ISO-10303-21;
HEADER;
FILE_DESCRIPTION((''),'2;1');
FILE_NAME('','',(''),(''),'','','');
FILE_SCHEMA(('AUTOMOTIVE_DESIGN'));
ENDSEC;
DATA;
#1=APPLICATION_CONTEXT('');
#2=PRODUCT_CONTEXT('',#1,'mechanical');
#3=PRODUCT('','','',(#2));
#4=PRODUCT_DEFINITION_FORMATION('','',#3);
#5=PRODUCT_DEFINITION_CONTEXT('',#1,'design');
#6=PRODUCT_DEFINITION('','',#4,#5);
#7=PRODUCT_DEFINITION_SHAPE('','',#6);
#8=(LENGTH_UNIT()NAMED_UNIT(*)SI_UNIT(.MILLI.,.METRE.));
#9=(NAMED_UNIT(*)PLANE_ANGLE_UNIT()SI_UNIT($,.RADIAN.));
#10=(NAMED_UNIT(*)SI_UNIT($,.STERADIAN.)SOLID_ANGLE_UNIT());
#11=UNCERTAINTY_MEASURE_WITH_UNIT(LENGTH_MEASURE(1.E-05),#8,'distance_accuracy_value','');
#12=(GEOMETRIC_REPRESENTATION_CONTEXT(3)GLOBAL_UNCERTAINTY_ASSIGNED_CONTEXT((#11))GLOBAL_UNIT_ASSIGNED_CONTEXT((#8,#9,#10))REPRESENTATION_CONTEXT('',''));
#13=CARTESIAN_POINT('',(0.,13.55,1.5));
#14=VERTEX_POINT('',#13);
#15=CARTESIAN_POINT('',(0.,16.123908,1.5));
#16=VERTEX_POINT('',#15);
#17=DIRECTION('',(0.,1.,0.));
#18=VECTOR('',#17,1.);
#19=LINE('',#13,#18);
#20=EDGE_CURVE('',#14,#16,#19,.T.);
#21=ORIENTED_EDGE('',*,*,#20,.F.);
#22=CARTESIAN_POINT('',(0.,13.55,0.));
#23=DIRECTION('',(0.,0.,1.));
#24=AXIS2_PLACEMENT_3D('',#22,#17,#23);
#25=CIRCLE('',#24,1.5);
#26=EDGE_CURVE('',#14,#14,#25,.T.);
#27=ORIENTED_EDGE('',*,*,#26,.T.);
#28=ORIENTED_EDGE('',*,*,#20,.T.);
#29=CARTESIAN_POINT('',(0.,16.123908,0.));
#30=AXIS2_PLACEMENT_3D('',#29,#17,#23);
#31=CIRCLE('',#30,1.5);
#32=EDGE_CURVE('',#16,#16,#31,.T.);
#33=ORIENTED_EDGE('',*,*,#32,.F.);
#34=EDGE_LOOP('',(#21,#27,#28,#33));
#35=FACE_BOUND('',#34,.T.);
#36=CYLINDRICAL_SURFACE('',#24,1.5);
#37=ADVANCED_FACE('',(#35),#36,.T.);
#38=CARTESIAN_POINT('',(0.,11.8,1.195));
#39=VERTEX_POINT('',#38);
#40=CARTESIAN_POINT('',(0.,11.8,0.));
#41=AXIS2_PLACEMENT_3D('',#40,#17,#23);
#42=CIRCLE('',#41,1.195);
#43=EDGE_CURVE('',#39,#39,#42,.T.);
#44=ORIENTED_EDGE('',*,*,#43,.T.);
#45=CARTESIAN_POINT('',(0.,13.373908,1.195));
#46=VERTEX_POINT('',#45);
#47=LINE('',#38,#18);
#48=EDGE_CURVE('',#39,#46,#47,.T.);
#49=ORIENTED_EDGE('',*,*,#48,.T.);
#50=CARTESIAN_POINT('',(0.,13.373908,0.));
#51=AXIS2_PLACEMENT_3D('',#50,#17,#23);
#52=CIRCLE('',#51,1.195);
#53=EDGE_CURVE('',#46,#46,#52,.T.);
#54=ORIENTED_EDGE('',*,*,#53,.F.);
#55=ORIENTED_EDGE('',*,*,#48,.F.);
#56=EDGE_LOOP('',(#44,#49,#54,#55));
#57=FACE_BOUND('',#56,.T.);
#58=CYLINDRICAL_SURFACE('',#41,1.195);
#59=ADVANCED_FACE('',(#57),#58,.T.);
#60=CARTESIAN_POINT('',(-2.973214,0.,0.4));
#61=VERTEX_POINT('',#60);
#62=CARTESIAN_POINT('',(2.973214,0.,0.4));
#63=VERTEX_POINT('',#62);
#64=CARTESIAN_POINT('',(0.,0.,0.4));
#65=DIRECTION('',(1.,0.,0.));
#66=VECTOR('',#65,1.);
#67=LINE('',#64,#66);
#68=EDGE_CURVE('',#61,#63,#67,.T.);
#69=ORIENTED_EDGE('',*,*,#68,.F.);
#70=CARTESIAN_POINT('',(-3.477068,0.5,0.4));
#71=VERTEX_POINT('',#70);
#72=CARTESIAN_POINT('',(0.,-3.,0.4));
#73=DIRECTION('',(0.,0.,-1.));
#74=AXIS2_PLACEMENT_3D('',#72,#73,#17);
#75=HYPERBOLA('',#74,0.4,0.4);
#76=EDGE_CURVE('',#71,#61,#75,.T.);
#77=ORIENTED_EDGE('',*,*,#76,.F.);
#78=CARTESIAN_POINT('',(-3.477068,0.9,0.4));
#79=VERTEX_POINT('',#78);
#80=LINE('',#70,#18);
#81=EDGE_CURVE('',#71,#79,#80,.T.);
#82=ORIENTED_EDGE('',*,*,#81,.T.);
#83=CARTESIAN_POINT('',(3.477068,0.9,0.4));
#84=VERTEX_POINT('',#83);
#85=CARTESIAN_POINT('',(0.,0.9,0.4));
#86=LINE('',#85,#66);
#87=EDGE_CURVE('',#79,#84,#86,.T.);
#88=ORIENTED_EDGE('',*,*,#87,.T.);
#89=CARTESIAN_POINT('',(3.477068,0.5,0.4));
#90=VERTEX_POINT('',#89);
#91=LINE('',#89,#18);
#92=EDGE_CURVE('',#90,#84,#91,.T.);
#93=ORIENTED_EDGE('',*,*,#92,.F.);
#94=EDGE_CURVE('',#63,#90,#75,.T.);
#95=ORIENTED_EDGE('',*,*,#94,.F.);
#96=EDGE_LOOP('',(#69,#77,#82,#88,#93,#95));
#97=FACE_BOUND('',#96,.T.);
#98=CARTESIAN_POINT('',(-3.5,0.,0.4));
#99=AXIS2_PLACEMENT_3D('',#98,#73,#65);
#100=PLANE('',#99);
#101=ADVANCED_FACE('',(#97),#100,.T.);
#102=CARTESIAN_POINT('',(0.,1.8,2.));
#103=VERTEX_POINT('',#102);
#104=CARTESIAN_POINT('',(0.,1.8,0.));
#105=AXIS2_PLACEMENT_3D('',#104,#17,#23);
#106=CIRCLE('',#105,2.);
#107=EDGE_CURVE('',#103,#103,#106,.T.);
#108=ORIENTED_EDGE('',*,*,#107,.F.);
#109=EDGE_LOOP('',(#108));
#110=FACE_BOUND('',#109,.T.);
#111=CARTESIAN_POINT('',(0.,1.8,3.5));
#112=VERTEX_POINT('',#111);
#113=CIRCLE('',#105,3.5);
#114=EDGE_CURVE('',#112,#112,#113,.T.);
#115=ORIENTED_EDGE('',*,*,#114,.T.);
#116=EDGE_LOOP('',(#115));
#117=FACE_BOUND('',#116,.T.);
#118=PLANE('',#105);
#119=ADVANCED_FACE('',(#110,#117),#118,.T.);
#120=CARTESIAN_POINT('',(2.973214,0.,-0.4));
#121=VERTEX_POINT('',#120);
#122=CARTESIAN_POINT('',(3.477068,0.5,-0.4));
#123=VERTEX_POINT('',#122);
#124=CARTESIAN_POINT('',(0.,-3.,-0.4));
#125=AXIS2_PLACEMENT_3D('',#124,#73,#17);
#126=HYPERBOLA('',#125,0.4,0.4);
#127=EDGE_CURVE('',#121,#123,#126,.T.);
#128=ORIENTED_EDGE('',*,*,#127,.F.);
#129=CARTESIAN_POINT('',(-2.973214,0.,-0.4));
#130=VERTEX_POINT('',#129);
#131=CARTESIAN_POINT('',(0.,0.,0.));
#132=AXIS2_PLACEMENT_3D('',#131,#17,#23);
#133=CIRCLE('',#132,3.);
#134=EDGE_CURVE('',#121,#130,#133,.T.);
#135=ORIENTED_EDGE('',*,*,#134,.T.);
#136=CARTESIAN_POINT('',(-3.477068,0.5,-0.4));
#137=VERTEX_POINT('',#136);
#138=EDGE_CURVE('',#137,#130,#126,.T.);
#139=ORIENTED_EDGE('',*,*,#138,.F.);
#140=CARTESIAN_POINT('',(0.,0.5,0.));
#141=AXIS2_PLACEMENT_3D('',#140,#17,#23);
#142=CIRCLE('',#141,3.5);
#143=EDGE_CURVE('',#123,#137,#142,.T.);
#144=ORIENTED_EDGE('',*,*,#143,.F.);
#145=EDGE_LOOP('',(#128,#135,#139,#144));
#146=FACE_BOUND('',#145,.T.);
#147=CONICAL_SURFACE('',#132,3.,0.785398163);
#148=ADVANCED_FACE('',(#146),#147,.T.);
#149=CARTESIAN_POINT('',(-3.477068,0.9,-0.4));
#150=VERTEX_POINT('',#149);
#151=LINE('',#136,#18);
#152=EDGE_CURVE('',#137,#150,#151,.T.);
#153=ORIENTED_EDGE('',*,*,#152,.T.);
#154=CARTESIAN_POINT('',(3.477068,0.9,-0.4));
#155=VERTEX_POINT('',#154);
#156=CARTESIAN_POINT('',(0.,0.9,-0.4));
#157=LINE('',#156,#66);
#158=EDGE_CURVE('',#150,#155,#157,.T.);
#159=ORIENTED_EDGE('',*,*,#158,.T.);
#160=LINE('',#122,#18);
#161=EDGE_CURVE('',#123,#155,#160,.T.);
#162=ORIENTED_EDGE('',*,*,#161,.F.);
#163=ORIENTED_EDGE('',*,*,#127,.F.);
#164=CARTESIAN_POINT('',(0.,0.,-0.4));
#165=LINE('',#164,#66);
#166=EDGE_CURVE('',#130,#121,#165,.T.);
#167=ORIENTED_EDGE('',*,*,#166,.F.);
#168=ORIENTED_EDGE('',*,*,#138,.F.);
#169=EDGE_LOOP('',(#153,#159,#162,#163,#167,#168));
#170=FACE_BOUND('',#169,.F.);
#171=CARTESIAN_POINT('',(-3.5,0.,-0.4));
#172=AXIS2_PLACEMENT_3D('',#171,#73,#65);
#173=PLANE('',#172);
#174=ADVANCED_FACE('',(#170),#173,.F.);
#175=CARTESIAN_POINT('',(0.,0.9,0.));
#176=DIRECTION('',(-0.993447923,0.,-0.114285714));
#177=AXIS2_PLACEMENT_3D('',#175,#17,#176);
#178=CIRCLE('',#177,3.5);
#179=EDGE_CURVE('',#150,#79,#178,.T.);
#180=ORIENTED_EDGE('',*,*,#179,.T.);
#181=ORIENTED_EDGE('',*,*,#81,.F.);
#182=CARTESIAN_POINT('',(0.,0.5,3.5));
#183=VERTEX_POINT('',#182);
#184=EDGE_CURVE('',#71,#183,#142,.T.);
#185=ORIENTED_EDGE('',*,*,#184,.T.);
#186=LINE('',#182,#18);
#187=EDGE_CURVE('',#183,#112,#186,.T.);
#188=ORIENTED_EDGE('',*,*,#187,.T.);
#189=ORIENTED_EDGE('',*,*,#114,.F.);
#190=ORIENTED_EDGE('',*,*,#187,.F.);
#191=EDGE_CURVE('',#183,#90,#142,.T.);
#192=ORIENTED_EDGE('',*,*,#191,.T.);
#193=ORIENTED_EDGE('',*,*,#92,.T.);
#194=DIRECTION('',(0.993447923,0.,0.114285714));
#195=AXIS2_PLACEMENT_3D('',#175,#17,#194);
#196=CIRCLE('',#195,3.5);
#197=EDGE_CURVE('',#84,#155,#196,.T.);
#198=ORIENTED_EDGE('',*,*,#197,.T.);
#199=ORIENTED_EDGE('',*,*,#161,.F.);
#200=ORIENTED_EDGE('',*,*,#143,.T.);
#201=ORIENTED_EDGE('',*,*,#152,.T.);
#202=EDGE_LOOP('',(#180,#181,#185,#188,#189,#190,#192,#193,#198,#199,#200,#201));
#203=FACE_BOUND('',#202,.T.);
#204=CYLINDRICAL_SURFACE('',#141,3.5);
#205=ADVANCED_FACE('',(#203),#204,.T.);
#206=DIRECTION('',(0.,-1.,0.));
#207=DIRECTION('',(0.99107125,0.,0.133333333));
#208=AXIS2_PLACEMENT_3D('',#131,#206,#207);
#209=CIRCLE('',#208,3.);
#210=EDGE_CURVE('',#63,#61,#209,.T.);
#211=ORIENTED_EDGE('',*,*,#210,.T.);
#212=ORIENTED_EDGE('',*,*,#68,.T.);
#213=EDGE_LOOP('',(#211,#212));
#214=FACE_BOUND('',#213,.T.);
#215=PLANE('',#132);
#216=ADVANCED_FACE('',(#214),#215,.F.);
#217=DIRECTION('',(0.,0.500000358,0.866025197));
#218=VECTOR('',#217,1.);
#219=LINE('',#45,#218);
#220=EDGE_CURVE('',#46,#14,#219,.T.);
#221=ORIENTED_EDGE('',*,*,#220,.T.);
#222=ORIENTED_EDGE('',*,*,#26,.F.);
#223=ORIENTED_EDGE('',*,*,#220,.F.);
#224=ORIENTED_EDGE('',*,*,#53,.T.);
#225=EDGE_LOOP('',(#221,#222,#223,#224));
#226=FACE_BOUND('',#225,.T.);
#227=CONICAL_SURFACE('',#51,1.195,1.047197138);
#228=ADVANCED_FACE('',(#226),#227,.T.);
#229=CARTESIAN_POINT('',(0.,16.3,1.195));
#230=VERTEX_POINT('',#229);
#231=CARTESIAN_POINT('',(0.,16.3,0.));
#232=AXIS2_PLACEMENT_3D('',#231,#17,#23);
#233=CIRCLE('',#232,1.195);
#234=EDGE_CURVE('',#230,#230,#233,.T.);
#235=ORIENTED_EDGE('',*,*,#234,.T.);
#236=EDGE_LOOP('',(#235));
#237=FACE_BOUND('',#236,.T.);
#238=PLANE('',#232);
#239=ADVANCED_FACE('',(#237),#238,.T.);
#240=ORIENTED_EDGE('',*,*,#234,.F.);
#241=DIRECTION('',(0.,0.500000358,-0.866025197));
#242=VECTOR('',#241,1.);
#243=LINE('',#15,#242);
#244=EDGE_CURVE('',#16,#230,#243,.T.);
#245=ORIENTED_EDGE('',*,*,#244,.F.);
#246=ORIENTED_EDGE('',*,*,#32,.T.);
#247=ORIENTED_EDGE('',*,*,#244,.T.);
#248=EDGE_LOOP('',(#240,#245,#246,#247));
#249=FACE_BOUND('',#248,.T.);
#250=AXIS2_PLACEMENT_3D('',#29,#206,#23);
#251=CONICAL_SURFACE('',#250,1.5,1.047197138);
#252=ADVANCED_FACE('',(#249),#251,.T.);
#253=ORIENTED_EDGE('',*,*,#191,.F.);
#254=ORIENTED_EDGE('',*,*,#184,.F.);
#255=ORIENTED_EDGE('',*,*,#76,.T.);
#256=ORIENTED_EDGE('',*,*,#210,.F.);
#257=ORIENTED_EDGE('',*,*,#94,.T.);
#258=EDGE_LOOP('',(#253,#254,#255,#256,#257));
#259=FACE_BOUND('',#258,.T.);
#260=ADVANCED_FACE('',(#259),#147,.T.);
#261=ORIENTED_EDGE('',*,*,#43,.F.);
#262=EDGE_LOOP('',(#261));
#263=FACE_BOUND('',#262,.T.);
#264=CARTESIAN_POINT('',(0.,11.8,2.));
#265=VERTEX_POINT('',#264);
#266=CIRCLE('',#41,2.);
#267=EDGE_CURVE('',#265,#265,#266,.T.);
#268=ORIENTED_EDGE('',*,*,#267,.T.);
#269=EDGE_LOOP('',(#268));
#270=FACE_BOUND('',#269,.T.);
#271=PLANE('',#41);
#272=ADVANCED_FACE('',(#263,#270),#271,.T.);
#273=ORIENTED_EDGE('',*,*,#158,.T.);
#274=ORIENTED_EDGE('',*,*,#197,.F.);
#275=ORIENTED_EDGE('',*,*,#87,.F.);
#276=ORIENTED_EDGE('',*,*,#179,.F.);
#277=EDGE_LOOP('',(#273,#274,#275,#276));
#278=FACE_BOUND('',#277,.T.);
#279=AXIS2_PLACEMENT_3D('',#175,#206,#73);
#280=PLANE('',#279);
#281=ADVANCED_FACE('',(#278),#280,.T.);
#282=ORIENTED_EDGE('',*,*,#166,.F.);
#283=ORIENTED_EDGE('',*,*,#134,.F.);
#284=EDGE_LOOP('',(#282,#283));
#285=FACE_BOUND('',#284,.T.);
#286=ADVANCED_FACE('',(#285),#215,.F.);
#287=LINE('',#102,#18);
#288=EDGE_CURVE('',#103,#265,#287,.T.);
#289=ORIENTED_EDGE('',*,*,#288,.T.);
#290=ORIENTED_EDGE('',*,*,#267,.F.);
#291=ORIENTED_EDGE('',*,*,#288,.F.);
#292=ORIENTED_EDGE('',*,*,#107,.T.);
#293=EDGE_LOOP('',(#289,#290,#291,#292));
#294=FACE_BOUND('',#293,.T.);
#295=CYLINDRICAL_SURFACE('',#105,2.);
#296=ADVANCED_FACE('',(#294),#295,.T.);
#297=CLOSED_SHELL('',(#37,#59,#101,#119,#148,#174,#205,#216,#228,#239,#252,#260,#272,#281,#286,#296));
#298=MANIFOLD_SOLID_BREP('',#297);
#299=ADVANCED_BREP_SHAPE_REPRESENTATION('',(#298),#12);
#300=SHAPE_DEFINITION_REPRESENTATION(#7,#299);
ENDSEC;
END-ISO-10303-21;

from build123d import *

# Parameters (mm, degrees)
SKETCH001_W  = 0.8
SKETCH001_H  = 7
POCKET_DEPTH = 0.9


with BuildPart() as part:
    # Sketch → Revolution (revolve)
    with BuildSketch(Plane.YZ):
        Polygon((0, 0), (0, 3), (0.5, 3.5), (1.8, 3.5), (1.8, 2), (11.8, 2), (11.8, 1.195), (13.373908, 1.195), (13.55, 1.5), (16.123908, 1.5), (16.3, 1.195), (16.3, 0), align=None)
    revolve(axis=Axis((0, 0, 0), (0, 1, 0)))

    # Sketch001 → Pocket (cut)
    with BuildSketch(Plane(origin=(0, 0, 0), x_dir=(0, 0, -1), z_dir=(0, -1, 0))):
        Rectangle(SKETCH001_W, SKETCH001_H)
    extrude(amount=-POCKET_DEPTH, mode=Mode.SUBTRACT)


solid = part.part
